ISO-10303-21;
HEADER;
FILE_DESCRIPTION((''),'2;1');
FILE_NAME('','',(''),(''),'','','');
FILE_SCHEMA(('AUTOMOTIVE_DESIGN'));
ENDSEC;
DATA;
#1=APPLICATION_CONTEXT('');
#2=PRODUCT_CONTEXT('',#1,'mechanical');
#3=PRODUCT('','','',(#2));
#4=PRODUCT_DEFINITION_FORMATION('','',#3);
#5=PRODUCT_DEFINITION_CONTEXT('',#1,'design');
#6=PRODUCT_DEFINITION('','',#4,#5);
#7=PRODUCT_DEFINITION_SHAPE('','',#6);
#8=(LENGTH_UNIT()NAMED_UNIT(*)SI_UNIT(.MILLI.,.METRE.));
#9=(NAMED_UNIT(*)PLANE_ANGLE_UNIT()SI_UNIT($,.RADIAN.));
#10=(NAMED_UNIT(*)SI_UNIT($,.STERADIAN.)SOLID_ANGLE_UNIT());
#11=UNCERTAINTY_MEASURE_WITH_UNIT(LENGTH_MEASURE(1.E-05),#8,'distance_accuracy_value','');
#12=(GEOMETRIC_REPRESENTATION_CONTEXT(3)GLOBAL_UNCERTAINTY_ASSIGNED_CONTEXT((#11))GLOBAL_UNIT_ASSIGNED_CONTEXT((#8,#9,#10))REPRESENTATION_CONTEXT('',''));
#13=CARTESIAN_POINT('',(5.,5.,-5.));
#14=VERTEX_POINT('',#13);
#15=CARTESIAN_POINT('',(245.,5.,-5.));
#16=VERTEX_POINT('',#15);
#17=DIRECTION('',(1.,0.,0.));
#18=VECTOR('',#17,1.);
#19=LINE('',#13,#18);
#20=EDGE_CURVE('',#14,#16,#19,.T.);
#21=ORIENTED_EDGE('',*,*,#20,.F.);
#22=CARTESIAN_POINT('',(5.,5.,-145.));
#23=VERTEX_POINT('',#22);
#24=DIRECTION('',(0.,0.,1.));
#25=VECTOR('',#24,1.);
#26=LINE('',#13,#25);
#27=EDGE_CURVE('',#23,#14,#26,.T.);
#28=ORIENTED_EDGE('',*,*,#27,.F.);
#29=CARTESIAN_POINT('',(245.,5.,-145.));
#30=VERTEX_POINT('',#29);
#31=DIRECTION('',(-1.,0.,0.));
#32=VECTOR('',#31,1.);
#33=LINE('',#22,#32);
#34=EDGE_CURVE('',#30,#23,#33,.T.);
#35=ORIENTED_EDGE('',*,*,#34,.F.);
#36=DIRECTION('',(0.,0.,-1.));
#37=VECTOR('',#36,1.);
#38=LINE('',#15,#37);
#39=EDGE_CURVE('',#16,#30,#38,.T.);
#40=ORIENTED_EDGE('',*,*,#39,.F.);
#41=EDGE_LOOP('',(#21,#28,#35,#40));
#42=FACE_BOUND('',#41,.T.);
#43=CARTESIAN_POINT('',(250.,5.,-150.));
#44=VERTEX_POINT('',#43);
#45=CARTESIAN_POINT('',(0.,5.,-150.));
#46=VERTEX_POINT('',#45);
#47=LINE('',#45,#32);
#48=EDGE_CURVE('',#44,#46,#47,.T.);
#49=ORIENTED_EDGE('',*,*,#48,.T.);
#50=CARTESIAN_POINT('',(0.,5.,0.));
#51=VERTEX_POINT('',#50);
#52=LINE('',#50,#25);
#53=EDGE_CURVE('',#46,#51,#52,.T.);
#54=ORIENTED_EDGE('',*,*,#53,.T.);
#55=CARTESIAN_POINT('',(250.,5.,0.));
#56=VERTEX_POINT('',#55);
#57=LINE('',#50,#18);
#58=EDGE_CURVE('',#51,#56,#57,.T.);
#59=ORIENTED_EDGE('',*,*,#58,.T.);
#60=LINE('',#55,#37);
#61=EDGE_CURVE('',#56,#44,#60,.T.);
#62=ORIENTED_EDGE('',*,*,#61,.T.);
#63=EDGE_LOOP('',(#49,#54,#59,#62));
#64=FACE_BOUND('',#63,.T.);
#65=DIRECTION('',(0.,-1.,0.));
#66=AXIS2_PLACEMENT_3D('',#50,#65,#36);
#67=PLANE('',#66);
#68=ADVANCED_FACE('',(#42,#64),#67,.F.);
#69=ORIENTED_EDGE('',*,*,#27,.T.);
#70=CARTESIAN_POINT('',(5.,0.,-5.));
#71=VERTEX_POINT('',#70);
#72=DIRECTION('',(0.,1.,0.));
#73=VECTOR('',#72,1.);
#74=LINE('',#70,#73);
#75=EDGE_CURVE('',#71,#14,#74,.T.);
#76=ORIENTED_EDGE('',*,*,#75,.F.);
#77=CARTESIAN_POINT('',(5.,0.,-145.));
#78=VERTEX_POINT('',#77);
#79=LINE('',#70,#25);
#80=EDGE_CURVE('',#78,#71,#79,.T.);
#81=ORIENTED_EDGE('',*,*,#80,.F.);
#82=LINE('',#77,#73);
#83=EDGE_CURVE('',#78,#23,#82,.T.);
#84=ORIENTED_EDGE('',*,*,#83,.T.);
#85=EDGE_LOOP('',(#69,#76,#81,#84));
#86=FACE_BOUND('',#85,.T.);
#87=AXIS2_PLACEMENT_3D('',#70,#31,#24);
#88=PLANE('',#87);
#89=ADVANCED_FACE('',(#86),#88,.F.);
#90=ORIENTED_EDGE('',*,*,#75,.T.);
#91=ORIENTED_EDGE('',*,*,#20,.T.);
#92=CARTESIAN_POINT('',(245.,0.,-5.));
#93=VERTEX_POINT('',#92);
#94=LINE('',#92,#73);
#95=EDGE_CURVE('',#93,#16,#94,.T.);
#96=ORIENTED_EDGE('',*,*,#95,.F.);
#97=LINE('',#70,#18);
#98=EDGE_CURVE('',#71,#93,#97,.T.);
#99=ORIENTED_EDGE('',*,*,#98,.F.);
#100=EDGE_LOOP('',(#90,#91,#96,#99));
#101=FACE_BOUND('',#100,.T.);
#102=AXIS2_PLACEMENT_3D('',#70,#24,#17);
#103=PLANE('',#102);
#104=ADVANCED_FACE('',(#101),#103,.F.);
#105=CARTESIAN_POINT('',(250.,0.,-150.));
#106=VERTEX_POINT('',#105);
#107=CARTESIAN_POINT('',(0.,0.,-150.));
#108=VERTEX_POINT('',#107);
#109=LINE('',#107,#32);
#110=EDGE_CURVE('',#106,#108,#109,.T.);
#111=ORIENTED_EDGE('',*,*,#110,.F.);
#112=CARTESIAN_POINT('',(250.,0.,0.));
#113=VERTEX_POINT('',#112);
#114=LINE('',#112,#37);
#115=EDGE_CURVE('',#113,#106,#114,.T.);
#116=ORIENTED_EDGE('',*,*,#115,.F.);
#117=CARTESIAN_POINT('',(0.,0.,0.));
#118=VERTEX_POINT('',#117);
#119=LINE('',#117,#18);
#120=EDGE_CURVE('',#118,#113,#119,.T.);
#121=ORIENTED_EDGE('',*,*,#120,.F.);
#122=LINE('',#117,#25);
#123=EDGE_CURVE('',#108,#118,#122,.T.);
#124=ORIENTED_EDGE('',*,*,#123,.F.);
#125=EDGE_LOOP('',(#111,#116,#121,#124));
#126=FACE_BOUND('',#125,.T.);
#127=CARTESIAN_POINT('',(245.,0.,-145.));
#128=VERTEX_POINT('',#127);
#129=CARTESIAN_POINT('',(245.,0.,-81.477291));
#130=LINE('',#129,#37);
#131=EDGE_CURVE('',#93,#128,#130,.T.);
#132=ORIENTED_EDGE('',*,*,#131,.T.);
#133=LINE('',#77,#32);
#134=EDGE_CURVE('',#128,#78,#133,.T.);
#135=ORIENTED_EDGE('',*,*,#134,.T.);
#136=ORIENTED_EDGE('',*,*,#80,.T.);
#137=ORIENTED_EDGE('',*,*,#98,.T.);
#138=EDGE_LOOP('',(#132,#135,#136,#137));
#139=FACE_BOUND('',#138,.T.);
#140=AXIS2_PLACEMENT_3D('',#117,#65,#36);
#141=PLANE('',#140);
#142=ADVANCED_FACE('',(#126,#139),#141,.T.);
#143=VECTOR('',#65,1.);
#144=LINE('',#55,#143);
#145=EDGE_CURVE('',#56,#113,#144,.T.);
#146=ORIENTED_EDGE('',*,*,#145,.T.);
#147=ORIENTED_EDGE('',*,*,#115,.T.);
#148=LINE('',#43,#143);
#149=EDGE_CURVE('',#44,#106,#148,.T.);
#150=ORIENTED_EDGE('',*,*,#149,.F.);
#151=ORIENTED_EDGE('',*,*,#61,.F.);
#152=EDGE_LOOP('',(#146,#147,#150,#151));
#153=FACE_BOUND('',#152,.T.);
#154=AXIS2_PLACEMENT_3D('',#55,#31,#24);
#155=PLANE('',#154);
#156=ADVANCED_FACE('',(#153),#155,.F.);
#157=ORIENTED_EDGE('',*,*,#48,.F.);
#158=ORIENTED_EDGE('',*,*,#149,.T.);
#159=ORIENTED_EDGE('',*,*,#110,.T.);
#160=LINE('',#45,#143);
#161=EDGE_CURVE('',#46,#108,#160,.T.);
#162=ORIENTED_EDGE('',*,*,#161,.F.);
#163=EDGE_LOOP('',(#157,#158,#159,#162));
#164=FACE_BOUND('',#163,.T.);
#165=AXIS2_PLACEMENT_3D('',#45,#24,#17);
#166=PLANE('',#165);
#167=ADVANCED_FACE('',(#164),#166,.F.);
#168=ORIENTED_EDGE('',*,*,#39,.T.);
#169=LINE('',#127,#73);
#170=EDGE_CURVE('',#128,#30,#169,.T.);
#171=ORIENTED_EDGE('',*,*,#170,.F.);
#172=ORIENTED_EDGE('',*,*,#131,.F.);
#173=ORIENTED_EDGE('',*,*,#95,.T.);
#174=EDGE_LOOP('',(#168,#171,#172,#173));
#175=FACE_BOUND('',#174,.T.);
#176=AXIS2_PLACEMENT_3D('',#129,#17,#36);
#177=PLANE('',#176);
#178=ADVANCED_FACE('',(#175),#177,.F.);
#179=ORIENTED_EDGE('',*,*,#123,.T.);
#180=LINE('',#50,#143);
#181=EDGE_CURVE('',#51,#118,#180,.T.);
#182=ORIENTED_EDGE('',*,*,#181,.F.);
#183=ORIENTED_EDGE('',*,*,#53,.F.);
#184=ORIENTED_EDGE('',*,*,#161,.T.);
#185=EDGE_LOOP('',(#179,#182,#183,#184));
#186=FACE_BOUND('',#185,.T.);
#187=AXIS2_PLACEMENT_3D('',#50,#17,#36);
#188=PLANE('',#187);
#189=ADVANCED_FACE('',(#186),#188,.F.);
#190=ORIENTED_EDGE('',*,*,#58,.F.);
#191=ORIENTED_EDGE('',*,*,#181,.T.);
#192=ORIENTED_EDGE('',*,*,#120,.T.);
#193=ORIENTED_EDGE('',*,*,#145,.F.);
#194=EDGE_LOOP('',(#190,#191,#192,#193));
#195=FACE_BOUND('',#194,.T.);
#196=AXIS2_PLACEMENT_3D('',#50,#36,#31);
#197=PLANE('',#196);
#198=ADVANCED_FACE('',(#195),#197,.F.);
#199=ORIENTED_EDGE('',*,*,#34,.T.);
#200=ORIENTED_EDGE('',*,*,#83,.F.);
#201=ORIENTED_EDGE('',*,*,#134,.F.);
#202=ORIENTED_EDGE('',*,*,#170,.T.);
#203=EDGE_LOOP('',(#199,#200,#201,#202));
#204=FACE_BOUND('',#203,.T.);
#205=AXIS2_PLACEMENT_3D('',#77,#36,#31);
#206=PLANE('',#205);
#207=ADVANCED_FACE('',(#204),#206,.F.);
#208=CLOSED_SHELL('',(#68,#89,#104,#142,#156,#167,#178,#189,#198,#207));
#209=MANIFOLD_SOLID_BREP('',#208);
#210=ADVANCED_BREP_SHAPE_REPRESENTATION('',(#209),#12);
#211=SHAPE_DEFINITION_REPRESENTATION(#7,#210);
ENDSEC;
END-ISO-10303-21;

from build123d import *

# Parameters (mm, degrees)
SKETCH1_W                                         = 250
SKETCH1_H                                         = 150
BOSS_EXTRUDE1_DEPTH                               = 5
CUT_EXTRUDE1_DEPTH                                = 5
CSK_FOR_8_FLAT_HEAD_MACHINE_SCREW_100_D           = 4.4958
CSK_FOR_8_FLAT_HEAD_MACHINE_SCREW_100_CSINK_D     = 8.4328
CSK_FOR_8_FLAT_HEAD_MACHINE_SCREW_100_CSINK_ANGLE = 100
SKETCH4_W                                         = 10
SKETCH4_H                                         = 12.954582158
CUT_EXTRUDE2_DEPTH                                = 10


with BuildPart() as part:
    # Sketch1 → Boss-Extrude1 (new body)
    with BuildSketch(Plane(origin=(0, 0, 0), x_dir=(1, 0, 0), z_dir=(0, 1, 0))):
        with Locations((125, 75)):
            Rectangle(SKETCH1_W, SKETCH1_H)
    extrude(amount=BOSS_EXTRUDE1_DEPTH)

    # Sketch2 → Cut-Extrude1 (cut)
    with BuildSketch(Plane(origin=(0, 5, 0), x_dir=(1, 0, 0), z_dir=(0, 1, 0))):
        Polygon((5, 5), (245, 5), (245, 68.522708921), (235, 68.522708921), (235, 81.477291079), (245, 81.477291079), (245, 145), (5, 145), align=None)
    extrude(amount=-CUT_EXTRUDE1_DEPTH, mode=Mode.SUBTRACT)

    # CSK for #8 Flat Head Machine Screw (100)1 (through all)
    with Locations(Plane(origin=(240.110859841, 5, -75.135992341), x_dir=(0, 0, 1), z_dir=(0, 1, 0))):
        with Locations((0, 0)):
            CounterSinkHole(CSK_FOR_8_FLAT_HEAD_MACHINE_SCREW_100_D / 2, CSK_FOR_8_FLAT_HEAD_MACHINE_SCREW_100_CSINK_D / 2, counter_sink_angle=CSK_FOR_8_FLAT_HEAD_MACHINE_SCREW_100_CSINK_ANGLE)

    # Sketch4 → Cut-Extrude2 (cut)
    with BuildSketch(Plane(origin=(0, 5, 0), x_dir=(1, 0, 0), z_dir=(0, 1, 0))):
        with Locations((240, 75)):
            Rectangle(SKETCH4_W, SKETCH4_H)
    extrude(amount=-CUT_EXTRUDE2_DEPTH, mode=Mode.SUBTRACT)


solid = part.part
